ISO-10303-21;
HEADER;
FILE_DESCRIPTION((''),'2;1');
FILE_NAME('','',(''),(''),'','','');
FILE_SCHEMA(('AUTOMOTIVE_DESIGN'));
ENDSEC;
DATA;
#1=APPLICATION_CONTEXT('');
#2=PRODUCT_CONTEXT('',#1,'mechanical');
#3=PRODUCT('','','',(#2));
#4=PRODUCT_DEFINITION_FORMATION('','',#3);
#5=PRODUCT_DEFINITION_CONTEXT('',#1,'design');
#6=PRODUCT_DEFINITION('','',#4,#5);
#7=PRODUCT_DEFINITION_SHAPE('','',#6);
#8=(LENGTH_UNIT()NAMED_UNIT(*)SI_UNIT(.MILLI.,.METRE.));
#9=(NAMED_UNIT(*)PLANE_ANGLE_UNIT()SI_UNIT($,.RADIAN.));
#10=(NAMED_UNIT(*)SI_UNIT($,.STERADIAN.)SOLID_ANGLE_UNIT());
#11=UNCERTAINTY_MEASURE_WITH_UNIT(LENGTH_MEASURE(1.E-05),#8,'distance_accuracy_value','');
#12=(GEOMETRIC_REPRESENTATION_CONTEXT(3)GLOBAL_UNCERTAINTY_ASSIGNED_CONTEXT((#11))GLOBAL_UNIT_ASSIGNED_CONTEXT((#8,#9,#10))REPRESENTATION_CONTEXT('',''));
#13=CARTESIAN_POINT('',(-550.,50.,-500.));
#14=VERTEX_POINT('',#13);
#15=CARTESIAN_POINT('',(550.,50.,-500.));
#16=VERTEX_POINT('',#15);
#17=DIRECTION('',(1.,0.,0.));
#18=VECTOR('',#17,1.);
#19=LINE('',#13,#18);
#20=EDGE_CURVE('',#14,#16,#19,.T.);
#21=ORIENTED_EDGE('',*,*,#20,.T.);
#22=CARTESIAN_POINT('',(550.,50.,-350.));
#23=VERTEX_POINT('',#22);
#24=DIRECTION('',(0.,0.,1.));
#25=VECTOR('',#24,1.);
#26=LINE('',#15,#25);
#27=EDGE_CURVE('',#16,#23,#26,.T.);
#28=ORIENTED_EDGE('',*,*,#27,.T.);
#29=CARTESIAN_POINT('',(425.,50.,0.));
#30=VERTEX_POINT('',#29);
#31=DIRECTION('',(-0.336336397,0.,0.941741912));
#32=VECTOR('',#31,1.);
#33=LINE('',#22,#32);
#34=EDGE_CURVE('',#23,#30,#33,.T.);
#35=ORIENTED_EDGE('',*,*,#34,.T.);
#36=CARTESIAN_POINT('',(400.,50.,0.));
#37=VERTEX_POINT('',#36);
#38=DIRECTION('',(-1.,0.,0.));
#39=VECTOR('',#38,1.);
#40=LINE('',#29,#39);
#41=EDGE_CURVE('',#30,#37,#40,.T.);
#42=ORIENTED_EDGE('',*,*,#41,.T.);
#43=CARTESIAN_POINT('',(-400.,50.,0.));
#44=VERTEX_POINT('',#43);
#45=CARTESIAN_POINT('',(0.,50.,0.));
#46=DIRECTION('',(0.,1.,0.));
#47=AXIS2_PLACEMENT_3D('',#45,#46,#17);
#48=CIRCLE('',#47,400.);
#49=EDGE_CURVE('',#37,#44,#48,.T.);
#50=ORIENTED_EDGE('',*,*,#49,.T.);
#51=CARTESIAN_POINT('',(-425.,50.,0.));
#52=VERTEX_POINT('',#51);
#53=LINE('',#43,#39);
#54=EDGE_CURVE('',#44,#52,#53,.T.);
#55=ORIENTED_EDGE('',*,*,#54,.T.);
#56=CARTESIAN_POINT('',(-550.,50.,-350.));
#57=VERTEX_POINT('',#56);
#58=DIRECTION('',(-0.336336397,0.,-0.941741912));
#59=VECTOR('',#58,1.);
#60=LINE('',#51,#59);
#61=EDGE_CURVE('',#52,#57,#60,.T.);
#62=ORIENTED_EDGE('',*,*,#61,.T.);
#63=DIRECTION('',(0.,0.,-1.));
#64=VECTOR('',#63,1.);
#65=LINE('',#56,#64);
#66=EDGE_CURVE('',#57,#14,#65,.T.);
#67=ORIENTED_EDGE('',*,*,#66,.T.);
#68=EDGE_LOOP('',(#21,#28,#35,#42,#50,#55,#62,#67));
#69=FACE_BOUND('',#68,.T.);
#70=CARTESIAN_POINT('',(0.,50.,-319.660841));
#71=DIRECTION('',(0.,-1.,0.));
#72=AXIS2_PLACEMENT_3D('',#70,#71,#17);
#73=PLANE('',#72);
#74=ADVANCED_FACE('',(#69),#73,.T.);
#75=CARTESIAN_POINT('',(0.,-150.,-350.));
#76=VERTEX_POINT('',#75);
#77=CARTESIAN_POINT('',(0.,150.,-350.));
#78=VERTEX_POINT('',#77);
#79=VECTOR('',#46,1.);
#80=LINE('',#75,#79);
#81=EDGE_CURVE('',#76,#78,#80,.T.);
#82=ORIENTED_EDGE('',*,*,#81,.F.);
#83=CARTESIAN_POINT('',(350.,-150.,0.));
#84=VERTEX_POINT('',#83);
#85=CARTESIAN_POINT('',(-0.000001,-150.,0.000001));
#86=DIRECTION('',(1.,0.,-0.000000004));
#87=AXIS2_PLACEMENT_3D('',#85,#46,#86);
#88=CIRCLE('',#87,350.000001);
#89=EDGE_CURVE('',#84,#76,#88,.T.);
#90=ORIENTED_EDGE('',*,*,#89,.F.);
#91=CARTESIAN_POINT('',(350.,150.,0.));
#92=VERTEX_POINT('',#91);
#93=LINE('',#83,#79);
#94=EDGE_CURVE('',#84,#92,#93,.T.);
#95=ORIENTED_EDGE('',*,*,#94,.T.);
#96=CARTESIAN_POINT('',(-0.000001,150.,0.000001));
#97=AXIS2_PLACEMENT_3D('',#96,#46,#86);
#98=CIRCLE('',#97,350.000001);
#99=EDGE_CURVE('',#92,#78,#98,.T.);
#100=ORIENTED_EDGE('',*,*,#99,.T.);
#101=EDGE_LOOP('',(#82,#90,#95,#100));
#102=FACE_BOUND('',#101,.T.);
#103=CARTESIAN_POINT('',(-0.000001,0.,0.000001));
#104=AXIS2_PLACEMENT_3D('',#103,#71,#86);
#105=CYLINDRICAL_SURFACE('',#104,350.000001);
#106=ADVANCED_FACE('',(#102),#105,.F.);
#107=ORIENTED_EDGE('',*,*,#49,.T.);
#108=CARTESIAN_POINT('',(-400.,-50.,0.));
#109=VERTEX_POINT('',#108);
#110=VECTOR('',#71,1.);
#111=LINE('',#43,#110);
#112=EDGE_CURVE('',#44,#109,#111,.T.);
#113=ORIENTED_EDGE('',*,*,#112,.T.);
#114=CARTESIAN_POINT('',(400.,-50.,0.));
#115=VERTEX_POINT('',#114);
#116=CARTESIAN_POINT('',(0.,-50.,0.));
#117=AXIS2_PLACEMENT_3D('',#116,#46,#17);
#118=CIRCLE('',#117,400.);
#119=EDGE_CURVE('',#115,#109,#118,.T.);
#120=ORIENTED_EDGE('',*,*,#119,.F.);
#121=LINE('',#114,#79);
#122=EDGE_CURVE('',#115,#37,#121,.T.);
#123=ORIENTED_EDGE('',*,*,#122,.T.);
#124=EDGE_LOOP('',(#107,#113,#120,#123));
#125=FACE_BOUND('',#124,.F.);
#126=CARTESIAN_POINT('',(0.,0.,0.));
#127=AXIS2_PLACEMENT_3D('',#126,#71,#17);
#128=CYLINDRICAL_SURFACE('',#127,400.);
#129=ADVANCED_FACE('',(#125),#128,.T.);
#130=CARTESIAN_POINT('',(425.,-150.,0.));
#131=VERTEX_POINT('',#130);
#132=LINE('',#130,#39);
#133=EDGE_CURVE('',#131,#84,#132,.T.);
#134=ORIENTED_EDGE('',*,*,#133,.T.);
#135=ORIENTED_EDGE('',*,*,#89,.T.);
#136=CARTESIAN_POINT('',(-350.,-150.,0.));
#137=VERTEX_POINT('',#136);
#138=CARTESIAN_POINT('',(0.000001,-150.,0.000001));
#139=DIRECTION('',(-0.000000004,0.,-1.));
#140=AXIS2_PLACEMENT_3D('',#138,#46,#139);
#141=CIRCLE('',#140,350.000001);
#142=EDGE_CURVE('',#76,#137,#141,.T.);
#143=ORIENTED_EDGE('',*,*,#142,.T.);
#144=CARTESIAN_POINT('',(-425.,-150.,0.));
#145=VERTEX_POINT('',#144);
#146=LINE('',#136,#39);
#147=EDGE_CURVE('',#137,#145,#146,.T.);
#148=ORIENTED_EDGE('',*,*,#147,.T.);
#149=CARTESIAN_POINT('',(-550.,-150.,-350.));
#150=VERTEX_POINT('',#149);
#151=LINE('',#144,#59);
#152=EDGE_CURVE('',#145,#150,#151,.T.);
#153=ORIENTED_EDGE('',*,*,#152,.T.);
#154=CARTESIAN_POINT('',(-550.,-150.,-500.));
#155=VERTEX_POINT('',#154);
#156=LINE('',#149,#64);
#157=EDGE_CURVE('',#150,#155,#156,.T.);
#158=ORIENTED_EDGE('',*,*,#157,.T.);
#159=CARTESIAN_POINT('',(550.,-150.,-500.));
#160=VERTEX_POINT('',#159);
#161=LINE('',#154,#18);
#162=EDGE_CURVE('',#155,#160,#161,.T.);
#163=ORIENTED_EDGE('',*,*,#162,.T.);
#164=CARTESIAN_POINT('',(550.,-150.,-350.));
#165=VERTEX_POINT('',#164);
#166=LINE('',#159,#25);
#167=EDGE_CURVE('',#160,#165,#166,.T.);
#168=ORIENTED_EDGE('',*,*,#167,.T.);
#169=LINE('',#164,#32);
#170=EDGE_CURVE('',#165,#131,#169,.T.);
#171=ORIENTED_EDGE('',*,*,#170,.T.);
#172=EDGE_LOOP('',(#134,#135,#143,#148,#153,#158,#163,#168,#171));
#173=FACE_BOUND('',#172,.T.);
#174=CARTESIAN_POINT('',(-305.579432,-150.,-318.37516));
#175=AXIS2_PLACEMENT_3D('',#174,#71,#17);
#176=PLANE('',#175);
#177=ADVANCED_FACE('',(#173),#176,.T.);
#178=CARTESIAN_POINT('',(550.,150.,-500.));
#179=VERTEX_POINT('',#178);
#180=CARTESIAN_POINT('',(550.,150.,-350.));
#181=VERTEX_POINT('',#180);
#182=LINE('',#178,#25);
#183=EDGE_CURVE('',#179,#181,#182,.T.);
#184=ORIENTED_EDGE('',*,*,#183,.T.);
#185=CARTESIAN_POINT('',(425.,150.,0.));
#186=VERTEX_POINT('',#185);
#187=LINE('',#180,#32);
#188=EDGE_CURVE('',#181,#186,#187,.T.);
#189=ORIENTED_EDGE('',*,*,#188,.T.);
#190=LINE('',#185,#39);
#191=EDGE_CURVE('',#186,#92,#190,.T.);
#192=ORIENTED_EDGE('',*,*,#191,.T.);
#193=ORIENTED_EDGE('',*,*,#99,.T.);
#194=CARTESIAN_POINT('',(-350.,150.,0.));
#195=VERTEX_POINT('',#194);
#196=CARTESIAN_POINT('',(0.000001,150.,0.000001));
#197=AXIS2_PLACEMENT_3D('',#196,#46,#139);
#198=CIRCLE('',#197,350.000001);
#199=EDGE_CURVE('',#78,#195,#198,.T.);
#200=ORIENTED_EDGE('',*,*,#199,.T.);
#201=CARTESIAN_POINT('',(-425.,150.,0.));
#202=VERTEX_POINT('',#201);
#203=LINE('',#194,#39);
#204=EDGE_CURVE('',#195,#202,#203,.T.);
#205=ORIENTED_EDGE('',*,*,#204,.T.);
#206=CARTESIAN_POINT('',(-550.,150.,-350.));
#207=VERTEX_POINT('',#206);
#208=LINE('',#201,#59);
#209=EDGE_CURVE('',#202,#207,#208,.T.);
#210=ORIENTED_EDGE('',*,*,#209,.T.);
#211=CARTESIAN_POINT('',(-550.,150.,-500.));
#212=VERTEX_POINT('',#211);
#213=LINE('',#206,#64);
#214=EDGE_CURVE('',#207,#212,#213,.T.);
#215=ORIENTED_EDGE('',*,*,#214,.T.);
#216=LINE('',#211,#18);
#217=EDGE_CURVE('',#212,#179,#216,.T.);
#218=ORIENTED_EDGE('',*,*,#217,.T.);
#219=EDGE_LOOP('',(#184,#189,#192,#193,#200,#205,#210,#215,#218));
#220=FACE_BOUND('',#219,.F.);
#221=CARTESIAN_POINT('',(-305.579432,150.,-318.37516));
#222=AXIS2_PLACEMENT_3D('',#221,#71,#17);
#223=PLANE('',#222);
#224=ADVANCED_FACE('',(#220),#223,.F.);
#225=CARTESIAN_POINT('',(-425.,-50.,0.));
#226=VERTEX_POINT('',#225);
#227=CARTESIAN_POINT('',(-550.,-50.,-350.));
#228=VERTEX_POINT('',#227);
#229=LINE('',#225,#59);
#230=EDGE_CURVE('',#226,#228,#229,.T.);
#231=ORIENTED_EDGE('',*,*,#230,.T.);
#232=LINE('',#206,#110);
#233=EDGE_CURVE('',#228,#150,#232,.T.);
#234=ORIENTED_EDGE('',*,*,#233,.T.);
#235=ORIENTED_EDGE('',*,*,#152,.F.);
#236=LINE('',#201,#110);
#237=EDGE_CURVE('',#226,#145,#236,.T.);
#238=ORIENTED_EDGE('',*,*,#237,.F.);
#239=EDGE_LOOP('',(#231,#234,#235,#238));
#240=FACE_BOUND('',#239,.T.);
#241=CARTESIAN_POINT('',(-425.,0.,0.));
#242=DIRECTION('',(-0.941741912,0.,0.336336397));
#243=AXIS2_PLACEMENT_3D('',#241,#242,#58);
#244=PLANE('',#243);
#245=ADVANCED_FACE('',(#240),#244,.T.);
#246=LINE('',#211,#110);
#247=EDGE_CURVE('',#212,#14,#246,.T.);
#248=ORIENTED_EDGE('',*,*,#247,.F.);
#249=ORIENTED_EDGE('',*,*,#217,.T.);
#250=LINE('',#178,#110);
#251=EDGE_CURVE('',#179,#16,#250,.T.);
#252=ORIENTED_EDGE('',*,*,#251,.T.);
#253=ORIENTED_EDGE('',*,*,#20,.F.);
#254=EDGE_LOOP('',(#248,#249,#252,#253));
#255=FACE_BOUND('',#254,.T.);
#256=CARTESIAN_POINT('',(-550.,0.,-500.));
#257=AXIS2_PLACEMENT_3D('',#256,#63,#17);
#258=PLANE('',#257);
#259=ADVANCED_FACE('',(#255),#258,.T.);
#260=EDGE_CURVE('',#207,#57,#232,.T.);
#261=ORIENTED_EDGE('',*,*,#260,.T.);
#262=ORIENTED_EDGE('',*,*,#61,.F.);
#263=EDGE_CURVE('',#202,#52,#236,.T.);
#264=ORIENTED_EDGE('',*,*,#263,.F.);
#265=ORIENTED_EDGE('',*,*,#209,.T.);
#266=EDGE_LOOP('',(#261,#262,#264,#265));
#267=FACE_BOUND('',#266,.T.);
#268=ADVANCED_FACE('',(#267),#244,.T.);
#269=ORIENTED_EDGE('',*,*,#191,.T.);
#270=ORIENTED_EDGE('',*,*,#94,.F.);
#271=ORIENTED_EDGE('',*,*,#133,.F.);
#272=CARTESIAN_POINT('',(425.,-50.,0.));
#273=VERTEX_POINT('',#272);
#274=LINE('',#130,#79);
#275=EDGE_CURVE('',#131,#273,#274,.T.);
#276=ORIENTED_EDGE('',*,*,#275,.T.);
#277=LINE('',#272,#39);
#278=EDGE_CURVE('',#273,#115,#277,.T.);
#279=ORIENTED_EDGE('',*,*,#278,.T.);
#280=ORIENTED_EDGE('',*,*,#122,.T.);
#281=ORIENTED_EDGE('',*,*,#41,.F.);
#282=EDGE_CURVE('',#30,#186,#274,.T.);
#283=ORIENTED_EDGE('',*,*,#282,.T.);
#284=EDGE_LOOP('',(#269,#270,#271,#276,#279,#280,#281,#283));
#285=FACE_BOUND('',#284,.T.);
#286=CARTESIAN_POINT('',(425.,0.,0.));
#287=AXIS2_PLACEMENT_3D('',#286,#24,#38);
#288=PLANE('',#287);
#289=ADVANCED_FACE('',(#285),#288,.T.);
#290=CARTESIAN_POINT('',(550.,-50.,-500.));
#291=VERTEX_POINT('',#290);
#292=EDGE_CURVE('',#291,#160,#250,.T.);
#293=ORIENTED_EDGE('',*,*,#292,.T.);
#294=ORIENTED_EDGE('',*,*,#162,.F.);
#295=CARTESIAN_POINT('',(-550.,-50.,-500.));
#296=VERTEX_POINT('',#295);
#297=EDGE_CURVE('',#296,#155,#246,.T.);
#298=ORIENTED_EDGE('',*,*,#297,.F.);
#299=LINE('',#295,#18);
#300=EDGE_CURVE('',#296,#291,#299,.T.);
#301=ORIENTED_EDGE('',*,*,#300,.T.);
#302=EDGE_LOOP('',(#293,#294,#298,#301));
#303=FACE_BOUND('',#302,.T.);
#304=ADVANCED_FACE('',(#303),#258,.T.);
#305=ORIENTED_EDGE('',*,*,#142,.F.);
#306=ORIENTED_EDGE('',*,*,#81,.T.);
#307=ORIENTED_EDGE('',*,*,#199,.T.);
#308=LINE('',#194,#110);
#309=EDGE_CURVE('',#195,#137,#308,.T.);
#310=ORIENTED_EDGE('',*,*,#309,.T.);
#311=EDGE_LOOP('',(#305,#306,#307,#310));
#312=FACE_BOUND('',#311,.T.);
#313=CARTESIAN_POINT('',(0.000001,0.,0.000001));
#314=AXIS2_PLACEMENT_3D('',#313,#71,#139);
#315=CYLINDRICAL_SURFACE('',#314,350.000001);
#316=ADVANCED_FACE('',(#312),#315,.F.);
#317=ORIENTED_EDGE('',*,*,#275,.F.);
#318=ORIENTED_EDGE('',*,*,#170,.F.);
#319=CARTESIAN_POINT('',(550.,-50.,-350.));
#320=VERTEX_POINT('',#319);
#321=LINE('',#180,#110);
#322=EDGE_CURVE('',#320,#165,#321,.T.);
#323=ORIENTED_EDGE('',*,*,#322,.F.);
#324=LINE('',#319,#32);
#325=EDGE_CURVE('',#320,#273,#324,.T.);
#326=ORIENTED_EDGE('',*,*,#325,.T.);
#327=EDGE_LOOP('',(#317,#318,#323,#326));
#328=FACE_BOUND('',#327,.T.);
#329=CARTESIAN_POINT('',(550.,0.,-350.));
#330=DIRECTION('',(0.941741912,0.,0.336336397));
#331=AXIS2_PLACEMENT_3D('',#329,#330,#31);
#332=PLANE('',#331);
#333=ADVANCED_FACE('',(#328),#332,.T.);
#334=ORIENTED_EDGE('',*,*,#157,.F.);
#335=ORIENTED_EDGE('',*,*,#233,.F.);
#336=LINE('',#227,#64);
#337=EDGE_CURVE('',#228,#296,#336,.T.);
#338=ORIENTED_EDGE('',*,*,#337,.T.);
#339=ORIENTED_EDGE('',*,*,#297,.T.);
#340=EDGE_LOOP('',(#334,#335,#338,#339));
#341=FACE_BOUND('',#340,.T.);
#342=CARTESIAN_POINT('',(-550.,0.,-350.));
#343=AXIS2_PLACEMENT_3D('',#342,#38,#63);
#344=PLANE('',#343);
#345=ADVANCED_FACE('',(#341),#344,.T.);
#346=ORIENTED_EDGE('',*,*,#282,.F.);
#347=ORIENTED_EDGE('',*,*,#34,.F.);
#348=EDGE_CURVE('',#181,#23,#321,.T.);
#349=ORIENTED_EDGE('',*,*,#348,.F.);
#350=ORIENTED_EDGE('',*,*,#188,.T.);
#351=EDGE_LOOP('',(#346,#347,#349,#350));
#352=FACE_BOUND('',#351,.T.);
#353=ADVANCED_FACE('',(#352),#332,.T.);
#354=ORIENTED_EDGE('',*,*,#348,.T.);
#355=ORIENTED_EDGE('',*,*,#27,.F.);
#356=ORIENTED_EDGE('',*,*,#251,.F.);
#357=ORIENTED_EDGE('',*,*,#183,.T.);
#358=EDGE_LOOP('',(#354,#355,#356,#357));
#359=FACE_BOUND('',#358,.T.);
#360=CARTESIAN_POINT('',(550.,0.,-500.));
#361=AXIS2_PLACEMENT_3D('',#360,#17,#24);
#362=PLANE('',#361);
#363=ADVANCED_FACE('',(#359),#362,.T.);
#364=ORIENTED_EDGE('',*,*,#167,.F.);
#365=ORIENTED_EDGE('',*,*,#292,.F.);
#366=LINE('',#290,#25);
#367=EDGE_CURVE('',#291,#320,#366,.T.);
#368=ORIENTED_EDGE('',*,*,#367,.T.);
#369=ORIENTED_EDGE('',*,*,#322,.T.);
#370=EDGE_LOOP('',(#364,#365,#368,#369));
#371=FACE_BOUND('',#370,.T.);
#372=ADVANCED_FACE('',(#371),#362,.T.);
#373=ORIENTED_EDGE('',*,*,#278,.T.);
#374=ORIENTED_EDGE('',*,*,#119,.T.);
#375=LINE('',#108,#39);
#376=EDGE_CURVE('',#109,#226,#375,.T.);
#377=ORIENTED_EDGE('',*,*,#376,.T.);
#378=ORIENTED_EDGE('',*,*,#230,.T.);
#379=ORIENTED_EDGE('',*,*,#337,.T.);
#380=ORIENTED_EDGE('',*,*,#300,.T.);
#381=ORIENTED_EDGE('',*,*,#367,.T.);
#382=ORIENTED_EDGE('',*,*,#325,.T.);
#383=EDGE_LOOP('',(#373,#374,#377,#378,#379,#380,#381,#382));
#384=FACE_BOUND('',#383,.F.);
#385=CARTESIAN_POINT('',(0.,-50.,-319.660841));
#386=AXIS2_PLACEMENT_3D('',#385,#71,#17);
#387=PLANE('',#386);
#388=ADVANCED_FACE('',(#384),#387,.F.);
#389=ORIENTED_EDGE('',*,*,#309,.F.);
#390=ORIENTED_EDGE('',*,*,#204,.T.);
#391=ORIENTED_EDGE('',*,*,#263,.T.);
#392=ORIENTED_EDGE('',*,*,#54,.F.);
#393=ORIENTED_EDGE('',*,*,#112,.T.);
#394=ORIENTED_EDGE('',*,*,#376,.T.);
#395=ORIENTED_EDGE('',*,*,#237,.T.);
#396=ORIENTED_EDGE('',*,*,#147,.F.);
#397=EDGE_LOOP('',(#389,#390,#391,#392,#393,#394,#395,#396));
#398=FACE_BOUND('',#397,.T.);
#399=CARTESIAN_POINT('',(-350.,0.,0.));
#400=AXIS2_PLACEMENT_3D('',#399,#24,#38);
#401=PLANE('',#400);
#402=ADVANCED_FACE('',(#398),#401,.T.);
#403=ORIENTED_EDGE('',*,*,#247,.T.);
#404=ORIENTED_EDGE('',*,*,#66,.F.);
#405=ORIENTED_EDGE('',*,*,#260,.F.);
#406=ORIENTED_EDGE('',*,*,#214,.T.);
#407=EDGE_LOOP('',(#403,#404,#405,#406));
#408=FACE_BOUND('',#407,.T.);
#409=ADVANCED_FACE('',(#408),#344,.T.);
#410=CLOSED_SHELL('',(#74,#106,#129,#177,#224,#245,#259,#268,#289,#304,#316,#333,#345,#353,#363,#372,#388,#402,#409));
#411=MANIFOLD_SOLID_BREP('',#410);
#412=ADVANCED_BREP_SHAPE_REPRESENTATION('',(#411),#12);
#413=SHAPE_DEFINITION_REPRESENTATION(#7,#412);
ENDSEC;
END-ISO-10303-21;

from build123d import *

# Parameters (mm, degrees)
F1_DEPTH = 150
F3_DEPTH = 50


with BuildPart() as f1:
    # F0 (on Front) → F1 (new body, symmetric)
    with BuildSketch(Plane.XZ):
        with BuildLine():
            ThreePointArc((0, -350), (-247.487373, -247.487373), (-350, 0))
            Line((-350, 0), (-425, 0))
            Line((-425, 0), (-550, -350))
            Line((-550, -350), (-550, -500))
            Line((-550, -500), (0, -500))
            Line((0, -500), (0, -350))
        make_face()
        with BuildLine():
            ThreePointArc((350, 0), (247.487373, -247.487373), (0, -350))
            Line((0, -350), (0, -500))
            Line((0, -500), (550, -500))
            Line((550, -500), (550, -350))
            Line((550, -350), (425, 0))
            Line((425, 0), (350, 0))
        make_face()
    extrude(amount=F1_DEPTH, both=True)

    # F2 (on Front) → F3 (cut, symmetric)
    with BuildSketch(Plane.XZ):
        with BuildLine():
            ThreePointArc((400, 0), (0, -400), (-400, 0))
            Line((-400, 0), (-425, 0))
            Line((-425, 0), (-550, -350))
            Line((-550, -350), (-550, -500))
            Line((-550, -500), (550, -500))
            Line((550, -500), (550, -350))
            Line((550, -350), (425, 0))
            Line((425, 0), (400, 0))
        make_face()
    extrude(amount=F3_DEPTH, both=True, mode=Mode.SUBTRACT)


solid = f1.part
